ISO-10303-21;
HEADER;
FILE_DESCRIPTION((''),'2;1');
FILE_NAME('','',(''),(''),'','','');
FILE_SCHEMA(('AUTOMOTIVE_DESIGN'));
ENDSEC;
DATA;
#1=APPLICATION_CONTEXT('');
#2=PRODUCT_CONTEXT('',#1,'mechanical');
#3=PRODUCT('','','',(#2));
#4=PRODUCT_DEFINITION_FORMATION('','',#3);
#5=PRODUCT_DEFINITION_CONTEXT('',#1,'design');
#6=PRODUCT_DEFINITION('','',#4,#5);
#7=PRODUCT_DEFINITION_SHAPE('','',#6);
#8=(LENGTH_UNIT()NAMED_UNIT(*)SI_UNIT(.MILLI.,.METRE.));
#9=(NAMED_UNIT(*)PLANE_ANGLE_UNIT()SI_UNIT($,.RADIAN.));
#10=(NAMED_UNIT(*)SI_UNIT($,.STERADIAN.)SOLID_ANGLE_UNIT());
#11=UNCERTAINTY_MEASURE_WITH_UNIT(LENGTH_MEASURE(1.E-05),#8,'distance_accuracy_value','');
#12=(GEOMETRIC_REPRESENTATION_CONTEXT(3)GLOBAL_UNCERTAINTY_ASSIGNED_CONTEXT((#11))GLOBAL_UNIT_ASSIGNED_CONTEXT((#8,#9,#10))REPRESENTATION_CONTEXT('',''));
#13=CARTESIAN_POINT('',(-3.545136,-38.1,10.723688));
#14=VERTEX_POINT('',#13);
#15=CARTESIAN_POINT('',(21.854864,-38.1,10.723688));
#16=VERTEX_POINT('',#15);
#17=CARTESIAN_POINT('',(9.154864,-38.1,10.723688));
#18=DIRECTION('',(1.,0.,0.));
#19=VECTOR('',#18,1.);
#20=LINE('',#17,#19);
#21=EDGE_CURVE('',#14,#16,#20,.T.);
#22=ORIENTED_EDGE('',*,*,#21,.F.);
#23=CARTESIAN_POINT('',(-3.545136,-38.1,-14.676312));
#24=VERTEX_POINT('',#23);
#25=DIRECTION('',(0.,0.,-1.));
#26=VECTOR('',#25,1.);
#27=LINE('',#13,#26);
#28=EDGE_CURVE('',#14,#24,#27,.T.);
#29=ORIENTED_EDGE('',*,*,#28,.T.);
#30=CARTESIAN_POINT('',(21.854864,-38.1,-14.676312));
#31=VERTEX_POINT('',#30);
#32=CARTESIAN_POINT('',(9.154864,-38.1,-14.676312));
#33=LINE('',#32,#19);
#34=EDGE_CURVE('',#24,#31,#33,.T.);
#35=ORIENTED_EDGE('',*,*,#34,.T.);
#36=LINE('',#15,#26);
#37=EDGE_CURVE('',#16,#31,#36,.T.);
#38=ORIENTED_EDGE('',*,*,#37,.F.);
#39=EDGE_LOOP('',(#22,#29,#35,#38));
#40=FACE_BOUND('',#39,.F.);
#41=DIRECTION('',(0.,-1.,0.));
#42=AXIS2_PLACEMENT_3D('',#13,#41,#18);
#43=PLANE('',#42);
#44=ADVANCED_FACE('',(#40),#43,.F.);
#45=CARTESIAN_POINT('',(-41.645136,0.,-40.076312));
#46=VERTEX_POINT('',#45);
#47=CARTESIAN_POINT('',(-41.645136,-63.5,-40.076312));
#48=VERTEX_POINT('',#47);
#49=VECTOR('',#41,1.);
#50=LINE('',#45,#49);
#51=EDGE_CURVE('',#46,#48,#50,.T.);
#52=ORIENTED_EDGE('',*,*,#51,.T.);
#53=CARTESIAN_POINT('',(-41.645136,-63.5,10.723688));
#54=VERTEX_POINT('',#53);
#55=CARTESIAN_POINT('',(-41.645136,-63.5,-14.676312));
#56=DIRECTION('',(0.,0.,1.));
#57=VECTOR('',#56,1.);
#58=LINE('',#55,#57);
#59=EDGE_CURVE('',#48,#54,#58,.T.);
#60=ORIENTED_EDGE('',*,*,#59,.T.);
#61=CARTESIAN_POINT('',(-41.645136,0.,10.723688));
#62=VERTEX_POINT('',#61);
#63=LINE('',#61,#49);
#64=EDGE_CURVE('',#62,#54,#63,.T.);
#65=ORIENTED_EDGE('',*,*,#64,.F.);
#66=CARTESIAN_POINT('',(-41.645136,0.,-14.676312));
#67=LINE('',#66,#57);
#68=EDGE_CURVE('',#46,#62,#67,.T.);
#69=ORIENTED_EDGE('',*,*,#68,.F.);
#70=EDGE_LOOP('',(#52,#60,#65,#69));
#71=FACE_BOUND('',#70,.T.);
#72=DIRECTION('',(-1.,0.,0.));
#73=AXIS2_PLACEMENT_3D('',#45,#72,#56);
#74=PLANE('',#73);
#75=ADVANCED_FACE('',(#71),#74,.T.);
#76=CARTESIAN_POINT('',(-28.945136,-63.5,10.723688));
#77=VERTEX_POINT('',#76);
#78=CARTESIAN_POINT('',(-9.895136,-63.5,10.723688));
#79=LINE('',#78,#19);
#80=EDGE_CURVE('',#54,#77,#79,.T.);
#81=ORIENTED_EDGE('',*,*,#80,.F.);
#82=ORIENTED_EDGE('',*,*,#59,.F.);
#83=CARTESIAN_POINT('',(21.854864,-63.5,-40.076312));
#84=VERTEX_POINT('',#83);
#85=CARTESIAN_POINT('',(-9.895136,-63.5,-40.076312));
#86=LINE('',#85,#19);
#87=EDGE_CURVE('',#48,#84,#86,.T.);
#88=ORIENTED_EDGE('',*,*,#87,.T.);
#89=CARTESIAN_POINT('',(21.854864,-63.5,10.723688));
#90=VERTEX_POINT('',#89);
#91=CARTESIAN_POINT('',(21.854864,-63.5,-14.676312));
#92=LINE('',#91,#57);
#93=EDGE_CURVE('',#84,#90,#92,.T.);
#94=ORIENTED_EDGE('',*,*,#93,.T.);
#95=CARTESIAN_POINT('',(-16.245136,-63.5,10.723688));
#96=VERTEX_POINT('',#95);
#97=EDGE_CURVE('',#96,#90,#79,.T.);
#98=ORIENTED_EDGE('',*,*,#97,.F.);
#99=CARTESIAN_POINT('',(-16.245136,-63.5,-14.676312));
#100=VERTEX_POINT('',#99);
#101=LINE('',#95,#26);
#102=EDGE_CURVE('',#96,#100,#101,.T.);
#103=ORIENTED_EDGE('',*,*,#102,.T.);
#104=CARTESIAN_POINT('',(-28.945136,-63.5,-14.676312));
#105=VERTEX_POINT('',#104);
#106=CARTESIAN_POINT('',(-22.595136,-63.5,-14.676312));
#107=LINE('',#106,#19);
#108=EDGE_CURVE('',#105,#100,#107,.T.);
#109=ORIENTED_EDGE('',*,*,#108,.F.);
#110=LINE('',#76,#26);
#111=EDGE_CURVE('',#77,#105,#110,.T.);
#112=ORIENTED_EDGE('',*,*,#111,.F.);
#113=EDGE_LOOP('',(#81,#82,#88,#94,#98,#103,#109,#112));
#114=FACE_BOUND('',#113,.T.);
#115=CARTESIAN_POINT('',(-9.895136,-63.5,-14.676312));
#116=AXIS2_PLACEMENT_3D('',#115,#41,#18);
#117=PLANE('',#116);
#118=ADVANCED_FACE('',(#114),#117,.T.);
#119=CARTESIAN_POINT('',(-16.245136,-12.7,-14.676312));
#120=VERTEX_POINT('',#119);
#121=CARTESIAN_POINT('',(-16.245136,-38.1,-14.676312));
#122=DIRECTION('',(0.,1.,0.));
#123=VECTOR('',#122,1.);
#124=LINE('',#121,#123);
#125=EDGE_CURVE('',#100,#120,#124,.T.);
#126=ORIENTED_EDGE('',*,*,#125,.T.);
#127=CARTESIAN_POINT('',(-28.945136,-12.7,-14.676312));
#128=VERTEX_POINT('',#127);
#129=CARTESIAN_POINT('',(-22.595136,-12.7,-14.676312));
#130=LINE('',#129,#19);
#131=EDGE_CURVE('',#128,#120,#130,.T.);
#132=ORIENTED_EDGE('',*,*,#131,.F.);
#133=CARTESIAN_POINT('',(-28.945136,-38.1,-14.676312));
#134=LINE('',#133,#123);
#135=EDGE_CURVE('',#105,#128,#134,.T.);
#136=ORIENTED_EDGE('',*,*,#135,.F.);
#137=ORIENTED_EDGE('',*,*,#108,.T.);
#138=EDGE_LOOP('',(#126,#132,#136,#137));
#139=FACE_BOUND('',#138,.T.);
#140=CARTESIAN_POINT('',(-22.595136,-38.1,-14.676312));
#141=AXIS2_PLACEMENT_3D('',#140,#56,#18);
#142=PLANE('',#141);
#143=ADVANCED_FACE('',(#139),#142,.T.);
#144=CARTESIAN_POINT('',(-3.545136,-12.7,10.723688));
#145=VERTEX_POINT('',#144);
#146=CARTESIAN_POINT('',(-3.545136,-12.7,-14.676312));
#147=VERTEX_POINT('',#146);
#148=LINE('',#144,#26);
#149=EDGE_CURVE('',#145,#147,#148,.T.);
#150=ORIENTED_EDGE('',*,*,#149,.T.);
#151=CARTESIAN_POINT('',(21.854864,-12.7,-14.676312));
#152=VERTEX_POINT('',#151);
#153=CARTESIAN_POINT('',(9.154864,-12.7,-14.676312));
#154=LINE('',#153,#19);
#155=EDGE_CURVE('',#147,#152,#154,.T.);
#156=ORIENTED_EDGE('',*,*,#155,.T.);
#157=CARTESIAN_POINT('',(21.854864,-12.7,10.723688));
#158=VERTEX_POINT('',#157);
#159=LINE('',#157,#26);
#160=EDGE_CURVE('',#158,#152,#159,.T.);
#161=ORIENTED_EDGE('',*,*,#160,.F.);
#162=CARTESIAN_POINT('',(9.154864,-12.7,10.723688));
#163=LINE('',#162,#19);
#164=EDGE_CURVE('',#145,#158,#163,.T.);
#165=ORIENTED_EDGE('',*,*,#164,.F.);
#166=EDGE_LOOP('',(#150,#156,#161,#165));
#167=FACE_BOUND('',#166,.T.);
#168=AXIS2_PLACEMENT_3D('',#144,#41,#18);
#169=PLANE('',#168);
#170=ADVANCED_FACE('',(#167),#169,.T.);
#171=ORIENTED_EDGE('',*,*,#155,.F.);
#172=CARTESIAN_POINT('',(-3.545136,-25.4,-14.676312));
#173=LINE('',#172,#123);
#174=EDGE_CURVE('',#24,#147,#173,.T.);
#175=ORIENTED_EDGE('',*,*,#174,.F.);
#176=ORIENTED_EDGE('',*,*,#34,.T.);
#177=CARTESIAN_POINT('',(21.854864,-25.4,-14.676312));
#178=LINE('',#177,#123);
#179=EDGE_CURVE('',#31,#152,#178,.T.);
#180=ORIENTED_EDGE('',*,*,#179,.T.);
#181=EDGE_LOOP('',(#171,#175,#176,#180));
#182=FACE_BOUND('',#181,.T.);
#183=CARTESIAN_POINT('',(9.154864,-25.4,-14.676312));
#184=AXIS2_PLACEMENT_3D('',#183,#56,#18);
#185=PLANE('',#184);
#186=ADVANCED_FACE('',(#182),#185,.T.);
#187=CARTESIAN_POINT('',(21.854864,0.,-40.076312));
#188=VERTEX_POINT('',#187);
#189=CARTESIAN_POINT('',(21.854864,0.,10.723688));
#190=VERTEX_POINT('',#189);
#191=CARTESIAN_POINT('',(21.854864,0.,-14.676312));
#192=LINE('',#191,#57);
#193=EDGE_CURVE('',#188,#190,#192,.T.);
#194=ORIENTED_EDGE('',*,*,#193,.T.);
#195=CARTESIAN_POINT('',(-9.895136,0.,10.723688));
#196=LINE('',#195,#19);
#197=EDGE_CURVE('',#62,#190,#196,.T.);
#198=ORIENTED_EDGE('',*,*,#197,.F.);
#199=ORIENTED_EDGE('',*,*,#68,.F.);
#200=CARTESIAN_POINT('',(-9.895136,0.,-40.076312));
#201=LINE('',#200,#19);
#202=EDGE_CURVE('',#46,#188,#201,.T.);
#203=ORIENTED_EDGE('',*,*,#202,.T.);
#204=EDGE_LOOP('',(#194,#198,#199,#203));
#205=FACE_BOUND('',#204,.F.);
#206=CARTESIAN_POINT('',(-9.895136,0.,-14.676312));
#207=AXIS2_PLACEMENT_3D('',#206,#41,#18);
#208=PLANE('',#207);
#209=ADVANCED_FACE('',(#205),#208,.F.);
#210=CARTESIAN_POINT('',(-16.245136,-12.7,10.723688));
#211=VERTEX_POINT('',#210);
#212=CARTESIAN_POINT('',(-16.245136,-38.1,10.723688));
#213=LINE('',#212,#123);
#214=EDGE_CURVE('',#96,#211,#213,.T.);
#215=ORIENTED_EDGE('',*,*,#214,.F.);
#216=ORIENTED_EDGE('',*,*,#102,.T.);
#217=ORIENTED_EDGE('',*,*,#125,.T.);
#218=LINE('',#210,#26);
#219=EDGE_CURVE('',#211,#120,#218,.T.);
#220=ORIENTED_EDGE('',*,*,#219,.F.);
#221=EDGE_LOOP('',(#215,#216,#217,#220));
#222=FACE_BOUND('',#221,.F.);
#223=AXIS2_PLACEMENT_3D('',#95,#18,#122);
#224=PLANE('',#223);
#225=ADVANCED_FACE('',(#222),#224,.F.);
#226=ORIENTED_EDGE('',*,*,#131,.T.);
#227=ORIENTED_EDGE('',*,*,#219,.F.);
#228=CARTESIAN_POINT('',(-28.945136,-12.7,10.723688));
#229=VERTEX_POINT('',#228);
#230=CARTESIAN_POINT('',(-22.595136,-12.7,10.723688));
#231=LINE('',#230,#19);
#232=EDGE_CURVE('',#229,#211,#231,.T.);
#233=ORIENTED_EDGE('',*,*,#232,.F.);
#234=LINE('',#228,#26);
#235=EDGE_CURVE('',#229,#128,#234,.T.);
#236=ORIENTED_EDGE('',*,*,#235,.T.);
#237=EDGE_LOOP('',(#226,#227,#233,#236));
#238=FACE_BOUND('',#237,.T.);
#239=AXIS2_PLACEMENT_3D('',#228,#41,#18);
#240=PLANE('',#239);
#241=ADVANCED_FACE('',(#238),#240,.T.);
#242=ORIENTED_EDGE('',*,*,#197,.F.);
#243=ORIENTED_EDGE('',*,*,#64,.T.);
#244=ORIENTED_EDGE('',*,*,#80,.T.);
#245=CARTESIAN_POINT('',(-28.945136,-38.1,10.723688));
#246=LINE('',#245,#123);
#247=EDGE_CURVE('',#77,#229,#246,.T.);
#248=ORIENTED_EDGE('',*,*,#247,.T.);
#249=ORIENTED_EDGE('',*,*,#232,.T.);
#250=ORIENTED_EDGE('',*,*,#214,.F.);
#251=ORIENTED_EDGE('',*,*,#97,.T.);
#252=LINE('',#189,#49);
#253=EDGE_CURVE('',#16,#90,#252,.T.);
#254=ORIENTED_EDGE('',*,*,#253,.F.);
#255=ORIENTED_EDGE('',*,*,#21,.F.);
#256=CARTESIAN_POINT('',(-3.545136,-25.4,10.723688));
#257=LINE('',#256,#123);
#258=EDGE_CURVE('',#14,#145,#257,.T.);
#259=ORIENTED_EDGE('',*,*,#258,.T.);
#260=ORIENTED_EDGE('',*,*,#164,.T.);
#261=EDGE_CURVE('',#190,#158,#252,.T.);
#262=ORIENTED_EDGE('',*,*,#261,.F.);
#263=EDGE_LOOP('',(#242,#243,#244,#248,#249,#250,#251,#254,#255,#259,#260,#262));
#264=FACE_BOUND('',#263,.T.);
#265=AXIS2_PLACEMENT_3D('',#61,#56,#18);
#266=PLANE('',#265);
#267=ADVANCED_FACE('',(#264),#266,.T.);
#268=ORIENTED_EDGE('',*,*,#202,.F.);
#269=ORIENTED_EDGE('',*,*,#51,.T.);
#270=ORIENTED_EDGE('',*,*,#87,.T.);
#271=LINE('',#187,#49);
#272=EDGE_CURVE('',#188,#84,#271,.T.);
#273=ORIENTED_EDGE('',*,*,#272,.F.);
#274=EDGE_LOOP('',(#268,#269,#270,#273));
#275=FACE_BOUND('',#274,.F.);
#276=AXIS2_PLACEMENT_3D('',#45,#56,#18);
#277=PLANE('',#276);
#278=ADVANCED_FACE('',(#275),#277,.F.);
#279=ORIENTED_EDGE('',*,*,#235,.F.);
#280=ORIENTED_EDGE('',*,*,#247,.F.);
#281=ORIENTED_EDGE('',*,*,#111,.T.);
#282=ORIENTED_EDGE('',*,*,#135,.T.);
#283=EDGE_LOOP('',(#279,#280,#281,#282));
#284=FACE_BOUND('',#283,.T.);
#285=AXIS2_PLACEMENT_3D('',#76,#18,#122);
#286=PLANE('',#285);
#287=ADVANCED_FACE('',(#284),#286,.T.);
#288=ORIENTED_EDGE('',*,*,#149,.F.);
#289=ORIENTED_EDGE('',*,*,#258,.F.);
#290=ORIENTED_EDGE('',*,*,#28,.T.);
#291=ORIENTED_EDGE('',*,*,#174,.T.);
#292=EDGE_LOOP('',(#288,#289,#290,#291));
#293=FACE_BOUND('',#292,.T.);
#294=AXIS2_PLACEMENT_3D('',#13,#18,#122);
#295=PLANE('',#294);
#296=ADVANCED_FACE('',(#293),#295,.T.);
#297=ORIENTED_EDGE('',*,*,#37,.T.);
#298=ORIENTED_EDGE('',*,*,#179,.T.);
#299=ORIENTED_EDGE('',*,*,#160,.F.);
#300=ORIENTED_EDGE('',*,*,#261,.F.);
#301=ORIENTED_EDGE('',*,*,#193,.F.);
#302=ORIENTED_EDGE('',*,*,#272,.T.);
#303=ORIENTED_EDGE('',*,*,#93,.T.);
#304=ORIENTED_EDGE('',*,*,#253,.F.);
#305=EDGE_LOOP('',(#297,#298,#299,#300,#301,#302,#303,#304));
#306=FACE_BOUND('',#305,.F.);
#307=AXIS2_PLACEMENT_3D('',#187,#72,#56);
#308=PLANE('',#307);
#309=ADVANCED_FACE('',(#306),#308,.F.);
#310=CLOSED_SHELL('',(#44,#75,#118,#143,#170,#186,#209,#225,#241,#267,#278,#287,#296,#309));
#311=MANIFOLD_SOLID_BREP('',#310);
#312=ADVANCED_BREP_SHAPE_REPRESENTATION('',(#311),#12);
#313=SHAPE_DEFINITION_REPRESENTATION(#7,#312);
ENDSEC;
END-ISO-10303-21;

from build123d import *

# Parameters (mm, degrees)
F0_W     = 63.5
F0_H     = 50.8
F1_DEPTH = 63.5
F2_W     = 12.7
F2_H     = 50.8
F3_DEPTH = 25.4
F2_W_2   = 25.4
F2_H_2   = 25.4
F4_DEPTH = 25.4


with BuildPart() as f1:
    # F0 (on Front) → F1 (new body)
    with BuildSketch(Plane.XZ):
        with Locations((-9.895136, -14.676312)):
            Rectangle(F0_W, F0_H)
    extrude(amount=F1_DEPTH)

    # F2 (on face) → F3 (cut)
    with BuildSketch(Plane.XY.offset(10.723688)):
        with Locations((-22.595136, -38.1)):
            Rectangle(F2_W, F2_H)
    extrude(amount=-F3_DEPTH, mode=Mode.SUBTRACT)

    # F2 (on face) → F4 (cut)
    with BuildSketch(Plane.XY.offset(10.723688)):
        with Locations((9.154864, -25.4)):
            Rectangle(F2_W_2, F2_H_2)
    extrude(amount=-F4_DEPTH, mode=Mode.SUBTRACT)


solid = f1.part
